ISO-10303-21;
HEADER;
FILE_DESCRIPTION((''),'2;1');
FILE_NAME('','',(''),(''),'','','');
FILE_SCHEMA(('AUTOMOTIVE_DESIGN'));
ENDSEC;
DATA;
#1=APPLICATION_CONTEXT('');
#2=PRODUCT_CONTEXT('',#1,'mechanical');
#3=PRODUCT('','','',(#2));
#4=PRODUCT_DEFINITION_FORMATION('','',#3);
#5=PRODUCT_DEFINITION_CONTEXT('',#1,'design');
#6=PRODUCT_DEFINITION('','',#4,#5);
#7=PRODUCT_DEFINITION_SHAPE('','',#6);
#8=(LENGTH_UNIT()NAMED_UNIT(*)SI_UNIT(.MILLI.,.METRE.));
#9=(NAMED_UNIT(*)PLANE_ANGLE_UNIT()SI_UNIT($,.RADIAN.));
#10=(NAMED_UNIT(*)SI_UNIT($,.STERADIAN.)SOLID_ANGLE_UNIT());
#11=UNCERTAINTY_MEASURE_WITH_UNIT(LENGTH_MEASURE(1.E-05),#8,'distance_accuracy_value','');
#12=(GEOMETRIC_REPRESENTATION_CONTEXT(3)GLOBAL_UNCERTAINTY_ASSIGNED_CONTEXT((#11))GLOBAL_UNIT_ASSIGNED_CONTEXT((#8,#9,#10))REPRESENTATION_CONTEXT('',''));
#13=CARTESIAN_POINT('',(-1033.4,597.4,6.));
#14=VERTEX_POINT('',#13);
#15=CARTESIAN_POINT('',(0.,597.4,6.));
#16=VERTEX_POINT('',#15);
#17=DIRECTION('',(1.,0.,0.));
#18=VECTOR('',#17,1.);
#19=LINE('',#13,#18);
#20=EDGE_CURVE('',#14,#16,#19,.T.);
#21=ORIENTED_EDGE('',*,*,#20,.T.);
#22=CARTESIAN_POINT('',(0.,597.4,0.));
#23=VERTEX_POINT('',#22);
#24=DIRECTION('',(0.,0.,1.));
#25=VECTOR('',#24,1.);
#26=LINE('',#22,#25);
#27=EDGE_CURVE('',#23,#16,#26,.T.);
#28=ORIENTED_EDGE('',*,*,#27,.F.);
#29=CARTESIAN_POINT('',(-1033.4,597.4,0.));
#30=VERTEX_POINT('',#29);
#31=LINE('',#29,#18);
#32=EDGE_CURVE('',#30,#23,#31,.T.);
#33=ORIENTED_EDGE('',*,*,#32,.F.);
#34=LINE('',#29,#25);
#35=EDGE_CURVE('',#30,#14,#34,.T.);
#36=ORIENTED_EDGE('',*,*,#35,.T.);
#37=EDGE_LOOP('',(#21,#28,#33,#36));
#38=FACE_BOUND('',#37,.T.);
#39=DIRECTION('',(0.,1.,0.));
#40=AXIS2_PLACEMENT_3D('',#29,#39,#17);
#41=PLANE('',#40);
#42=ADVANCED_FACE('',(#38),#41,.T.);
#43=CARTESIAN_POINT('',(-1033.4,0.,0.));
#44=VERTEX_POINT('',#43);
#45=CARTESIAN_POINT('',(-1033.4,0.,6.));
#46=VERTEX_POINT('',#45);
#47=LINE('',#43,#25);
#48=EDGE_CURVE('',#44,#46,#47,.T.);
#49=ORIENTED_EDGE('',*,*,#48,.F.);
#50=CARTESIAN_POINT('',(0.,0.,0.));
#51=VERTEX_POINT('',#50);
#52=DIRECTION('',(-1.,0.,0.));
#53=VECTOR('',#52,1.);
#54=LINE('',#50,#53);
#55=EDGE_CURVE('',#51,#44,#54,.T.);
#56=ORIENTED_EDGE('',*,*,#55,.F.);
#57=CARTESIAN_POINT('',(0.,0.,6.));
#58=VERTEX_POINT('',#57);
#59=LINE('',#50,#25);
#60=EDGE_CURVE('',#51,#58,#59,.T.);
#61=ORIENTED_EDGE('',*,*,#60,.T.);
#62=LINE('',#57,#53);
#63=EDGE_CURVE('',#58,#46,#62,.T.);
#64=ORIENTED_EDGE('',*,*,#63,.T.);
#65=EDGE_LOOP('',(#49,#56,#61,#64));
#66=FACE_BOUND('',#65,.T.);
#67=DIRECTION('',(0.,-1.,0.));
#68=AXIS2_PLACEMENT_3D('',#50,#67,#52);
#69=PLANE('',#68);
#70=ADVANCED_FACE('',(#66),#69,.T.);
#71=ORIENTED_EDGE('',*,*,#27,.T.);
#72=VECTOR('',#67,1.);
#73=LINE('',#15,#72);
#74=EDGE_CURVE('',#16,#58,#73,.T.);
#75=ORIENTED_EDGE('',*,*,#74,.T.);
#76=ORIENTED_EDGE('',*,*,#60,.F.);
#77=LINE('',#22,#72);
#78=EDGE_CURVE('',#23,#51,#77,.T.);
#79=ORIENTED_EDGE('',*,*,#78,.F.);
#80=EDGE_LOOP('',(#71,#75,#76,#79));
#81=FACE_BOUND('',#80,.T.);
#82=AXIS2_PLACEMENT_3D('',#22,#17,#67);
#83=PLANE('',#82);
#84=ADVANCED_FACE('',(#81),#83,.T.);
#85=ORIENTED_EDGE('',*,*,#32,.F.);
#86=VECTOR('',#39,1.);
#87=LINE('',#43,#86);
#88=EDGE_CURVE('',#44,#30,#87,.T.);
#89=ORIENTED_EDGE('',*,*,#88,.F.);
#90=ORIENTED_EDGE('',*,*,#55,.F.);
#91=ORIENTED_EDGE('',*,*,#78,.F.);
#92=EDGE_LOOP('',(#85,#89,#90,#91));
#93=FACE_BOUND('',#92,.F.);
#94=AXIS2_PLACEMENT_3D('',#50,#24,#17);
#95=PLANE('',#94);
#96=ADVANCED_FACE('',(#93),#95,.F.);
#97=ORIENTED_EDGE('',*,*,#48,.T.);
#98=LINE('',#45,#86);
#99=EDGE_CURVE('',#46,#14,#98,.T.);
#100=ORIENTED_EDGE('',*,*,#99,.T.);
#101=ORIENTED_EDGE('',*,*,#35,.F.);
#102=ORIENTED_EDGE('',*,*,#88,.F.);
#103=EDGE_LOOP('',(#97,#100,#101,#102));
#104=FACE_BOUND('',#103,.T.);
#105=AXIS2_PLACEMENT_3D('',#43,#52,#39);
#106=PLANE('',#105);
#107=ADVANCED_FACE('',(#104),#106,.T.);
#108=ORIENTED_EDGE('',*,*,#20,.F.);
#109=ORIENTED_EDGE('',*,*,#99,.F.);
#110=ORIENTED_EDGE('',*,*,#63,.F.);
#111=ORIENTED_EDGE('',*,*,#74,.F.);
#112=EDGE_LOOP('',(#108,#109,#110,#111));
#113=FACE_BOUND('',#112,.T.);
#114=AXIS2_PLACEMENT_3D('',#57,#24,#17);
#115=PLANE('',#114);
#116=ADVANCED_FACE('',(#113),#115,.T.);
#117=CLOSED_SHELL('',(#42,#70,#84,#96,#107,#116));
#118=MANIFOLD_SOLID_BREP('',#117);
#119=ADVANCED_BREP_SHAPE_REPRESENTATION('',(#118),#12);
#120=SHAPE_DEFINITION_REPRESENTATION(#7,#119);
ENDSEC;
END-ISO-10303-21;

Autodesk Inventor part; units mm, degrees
ref_plane "YZ Plane" through (0, 0, 0) normal (1, 0, 0) x (0, 1, 0)
ref_plane "XZ Plane" through (0, 0, 0) normal (0, 1, 0) x (-1, 0, 0)
ref_plane "XY Plane" through (0, 0, 0) normal (0, 0, 1) x (1, 0, 0)
sketch "Boceto1" plane through (0, 0, 0) normal (0, 0, 1) x (1, 0, 0)
  line L0 (-1033.4, 597.4) -> (0, 597.4)
  line L1 (0, 597.4) -> (0, 0)
  line L2 (0, 0) -> (-1033.4, 0)
  line L3 (-1033.4, 0) -> (-1033.4, 597.4)
  point P0 (0, 0)
  dimension "d2" = 1033.4
  dimension "d3" = 597.4
extrude "Extrusión1" add sketch "Boceto1" along normal blind 6
properties part number "PLANCHA DE CRISTAL TRANSPARENTE 1033x597" material "Cristal"
